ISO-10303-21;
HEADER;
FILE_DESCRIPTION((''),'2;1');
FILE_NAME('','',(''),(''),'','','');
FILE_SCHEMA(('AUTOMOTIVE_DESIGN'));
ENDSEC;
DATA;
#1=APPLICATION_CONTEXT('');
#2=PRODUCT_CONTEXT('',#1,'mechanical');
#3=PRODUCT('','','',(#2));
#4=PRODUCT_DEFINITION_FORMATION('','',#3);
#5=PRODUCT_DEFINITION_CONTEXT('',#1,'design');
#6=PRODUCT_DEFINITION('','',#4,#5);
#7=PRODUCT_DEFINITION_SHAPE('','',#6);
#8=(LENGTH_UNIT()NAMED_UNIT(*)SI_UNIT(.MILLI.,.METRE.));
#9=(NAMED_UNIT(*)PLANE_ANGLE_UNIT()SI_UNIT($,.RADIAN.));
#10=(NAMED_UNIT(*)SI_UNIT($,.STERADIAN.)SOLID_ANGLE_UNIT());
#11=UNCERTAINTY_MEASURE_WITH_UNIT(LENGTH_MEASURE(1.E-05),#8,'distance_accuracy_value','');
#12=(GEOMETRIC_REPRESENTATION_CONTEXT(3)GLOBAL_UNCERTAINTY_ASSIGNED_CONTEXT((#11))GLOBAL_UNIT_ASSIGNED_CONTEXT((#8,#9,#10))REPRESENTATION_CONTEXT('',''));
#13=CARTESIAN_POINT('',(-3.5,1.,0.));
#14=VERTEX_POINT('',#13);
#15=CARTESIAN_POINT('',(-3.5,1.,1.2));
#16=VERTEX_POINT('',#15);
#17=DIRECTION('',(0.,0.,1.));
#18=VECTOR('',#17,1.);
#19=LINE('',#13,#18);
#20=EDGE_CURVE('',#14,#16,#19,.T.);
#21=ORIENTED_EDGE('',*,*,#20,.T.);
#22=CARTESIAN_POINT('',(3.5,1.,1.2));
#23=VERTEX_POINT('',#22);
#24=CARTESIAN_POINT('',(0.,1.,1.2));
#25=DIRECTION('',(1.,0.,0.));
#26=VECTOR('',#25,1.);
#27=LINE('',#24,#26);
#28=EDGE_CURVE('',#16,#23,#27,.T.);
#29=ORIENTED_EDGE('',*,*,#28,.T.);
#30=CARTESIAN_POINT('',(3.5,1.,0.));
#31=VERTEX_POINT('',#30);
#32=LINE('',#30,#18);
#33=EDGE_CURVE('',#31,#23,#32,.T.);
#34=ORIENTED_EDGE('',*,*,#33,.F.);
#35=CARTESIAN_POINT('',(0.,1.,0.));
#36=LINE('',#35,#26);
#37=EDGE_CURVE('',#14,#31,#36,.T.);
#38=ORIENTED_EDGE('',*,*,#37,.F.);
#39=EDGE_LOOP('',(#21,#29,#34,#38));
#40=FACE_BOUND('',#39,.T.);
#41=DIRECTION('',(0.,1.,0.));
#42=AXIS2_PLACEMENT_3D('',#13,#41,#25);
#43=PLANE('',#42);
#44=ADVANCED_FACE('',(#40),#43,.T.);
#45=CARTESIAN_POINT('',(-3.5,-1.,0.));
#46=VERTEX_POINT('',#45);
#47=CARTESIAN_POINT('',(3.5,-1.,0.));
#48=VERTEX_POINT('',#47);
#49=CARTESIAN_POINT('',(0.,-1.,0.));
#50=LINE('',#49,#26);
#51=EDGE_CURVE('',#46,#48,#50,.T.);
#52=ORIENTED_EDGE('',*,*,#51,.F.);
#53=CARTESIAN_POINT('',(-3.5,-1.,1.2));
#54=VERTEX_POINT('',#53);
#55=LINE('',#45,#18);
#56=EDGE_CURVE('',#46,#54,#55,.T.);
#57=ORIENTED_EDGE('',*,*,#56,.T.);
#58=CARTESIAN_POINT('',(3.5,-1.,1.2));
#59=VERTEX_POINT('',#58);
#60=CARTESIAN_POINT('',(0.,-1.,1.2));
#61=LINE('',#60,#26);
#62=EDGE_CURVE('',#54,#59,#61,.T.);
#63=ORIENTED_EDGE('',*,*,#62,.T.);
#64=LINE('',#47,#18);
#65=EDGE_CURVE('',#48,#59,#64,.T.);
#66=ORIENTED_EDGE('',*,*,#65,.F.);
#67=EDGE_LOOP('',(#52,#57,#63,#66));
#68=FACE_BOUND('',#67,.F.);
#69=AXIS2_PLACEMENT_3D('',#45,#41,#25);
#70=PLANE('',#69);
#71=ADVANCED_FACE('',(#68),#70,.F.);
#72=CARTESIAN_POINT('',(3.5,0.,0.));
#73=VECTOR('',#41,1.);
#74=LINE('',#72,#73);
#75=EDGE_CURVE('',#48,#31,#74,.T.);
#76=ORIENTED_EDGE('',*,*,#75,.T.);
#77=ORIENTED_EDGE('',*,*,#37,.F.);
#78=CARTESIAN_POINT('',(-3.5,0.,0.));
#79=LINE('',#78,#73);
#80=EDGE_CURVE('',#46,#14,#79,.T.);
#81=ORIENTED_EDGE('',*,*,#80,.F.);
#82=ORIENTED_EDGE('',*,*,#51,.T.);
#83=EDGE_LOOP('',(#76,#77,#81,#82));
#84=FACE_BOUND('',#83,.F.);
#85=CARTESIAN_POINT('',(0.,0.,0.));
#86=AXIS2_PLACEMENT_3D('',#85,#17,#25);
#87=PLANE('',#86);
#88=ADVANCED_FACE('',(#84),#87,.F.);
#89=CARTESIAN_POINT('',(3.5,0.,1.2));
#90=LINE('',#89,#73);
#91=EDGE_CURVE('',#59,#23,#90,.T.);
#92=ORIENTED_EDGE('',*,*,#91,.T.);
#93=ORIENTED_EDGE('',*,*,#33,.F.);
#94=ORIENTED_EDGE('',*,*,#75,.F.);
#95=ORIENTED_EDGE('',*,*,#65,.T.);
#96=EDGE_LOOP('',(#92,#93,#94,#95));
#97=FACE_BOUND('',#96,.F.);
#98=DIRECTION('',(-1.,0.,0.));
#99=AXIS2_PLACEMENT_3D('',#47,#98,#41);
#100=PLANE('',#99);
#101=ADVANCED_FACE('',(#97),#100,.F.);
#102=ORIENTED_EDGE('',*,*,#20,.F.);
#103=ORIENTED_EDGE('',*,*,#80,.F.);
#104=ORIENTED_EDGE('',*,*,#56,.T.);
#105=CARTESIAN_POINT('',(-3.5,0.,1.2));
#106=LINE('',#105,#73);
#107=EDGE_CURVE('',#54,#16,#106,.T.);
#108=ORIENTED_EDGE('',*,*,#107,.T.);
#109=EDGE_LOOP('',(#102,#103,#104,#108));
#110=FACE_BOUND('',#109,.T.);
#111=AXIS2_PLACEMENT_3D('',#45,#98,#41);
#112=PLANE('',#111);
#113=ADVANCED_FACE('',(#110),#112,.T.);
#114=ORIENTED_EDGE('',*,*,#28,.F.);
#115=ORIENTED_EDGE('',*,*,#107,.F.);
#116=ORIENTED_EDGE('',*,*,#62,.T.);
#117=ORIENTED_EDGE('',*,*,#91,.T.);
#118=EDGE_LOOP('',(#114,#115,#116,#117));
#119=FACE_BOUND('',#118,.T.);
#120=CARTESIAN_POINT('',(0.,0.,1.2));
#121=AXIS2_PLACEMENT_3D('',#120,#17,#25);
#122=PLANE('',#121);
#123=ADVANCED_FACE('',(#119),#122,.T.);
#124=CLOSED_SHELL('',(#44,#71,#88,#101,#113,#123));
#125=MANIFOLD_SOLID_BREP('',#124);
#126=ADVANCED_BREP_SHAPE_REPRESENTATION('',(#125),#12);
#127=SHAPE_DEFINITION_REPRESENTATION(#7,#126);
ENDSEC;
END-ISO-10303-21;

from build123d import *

# Parameters (mm, degrees)
SKETCH_W  = 7
SKETCH_H  = 2
PAD_DEPTH = 1.2


with BuildPart() as part:
    # Sketch → Pad (new body)
    with BuildSketch(Plane.XY):
        Rectangle(SKETCH_W, SKETCH_H)
    extrude(amount=PAD_DEPTH)


solid = part.part
